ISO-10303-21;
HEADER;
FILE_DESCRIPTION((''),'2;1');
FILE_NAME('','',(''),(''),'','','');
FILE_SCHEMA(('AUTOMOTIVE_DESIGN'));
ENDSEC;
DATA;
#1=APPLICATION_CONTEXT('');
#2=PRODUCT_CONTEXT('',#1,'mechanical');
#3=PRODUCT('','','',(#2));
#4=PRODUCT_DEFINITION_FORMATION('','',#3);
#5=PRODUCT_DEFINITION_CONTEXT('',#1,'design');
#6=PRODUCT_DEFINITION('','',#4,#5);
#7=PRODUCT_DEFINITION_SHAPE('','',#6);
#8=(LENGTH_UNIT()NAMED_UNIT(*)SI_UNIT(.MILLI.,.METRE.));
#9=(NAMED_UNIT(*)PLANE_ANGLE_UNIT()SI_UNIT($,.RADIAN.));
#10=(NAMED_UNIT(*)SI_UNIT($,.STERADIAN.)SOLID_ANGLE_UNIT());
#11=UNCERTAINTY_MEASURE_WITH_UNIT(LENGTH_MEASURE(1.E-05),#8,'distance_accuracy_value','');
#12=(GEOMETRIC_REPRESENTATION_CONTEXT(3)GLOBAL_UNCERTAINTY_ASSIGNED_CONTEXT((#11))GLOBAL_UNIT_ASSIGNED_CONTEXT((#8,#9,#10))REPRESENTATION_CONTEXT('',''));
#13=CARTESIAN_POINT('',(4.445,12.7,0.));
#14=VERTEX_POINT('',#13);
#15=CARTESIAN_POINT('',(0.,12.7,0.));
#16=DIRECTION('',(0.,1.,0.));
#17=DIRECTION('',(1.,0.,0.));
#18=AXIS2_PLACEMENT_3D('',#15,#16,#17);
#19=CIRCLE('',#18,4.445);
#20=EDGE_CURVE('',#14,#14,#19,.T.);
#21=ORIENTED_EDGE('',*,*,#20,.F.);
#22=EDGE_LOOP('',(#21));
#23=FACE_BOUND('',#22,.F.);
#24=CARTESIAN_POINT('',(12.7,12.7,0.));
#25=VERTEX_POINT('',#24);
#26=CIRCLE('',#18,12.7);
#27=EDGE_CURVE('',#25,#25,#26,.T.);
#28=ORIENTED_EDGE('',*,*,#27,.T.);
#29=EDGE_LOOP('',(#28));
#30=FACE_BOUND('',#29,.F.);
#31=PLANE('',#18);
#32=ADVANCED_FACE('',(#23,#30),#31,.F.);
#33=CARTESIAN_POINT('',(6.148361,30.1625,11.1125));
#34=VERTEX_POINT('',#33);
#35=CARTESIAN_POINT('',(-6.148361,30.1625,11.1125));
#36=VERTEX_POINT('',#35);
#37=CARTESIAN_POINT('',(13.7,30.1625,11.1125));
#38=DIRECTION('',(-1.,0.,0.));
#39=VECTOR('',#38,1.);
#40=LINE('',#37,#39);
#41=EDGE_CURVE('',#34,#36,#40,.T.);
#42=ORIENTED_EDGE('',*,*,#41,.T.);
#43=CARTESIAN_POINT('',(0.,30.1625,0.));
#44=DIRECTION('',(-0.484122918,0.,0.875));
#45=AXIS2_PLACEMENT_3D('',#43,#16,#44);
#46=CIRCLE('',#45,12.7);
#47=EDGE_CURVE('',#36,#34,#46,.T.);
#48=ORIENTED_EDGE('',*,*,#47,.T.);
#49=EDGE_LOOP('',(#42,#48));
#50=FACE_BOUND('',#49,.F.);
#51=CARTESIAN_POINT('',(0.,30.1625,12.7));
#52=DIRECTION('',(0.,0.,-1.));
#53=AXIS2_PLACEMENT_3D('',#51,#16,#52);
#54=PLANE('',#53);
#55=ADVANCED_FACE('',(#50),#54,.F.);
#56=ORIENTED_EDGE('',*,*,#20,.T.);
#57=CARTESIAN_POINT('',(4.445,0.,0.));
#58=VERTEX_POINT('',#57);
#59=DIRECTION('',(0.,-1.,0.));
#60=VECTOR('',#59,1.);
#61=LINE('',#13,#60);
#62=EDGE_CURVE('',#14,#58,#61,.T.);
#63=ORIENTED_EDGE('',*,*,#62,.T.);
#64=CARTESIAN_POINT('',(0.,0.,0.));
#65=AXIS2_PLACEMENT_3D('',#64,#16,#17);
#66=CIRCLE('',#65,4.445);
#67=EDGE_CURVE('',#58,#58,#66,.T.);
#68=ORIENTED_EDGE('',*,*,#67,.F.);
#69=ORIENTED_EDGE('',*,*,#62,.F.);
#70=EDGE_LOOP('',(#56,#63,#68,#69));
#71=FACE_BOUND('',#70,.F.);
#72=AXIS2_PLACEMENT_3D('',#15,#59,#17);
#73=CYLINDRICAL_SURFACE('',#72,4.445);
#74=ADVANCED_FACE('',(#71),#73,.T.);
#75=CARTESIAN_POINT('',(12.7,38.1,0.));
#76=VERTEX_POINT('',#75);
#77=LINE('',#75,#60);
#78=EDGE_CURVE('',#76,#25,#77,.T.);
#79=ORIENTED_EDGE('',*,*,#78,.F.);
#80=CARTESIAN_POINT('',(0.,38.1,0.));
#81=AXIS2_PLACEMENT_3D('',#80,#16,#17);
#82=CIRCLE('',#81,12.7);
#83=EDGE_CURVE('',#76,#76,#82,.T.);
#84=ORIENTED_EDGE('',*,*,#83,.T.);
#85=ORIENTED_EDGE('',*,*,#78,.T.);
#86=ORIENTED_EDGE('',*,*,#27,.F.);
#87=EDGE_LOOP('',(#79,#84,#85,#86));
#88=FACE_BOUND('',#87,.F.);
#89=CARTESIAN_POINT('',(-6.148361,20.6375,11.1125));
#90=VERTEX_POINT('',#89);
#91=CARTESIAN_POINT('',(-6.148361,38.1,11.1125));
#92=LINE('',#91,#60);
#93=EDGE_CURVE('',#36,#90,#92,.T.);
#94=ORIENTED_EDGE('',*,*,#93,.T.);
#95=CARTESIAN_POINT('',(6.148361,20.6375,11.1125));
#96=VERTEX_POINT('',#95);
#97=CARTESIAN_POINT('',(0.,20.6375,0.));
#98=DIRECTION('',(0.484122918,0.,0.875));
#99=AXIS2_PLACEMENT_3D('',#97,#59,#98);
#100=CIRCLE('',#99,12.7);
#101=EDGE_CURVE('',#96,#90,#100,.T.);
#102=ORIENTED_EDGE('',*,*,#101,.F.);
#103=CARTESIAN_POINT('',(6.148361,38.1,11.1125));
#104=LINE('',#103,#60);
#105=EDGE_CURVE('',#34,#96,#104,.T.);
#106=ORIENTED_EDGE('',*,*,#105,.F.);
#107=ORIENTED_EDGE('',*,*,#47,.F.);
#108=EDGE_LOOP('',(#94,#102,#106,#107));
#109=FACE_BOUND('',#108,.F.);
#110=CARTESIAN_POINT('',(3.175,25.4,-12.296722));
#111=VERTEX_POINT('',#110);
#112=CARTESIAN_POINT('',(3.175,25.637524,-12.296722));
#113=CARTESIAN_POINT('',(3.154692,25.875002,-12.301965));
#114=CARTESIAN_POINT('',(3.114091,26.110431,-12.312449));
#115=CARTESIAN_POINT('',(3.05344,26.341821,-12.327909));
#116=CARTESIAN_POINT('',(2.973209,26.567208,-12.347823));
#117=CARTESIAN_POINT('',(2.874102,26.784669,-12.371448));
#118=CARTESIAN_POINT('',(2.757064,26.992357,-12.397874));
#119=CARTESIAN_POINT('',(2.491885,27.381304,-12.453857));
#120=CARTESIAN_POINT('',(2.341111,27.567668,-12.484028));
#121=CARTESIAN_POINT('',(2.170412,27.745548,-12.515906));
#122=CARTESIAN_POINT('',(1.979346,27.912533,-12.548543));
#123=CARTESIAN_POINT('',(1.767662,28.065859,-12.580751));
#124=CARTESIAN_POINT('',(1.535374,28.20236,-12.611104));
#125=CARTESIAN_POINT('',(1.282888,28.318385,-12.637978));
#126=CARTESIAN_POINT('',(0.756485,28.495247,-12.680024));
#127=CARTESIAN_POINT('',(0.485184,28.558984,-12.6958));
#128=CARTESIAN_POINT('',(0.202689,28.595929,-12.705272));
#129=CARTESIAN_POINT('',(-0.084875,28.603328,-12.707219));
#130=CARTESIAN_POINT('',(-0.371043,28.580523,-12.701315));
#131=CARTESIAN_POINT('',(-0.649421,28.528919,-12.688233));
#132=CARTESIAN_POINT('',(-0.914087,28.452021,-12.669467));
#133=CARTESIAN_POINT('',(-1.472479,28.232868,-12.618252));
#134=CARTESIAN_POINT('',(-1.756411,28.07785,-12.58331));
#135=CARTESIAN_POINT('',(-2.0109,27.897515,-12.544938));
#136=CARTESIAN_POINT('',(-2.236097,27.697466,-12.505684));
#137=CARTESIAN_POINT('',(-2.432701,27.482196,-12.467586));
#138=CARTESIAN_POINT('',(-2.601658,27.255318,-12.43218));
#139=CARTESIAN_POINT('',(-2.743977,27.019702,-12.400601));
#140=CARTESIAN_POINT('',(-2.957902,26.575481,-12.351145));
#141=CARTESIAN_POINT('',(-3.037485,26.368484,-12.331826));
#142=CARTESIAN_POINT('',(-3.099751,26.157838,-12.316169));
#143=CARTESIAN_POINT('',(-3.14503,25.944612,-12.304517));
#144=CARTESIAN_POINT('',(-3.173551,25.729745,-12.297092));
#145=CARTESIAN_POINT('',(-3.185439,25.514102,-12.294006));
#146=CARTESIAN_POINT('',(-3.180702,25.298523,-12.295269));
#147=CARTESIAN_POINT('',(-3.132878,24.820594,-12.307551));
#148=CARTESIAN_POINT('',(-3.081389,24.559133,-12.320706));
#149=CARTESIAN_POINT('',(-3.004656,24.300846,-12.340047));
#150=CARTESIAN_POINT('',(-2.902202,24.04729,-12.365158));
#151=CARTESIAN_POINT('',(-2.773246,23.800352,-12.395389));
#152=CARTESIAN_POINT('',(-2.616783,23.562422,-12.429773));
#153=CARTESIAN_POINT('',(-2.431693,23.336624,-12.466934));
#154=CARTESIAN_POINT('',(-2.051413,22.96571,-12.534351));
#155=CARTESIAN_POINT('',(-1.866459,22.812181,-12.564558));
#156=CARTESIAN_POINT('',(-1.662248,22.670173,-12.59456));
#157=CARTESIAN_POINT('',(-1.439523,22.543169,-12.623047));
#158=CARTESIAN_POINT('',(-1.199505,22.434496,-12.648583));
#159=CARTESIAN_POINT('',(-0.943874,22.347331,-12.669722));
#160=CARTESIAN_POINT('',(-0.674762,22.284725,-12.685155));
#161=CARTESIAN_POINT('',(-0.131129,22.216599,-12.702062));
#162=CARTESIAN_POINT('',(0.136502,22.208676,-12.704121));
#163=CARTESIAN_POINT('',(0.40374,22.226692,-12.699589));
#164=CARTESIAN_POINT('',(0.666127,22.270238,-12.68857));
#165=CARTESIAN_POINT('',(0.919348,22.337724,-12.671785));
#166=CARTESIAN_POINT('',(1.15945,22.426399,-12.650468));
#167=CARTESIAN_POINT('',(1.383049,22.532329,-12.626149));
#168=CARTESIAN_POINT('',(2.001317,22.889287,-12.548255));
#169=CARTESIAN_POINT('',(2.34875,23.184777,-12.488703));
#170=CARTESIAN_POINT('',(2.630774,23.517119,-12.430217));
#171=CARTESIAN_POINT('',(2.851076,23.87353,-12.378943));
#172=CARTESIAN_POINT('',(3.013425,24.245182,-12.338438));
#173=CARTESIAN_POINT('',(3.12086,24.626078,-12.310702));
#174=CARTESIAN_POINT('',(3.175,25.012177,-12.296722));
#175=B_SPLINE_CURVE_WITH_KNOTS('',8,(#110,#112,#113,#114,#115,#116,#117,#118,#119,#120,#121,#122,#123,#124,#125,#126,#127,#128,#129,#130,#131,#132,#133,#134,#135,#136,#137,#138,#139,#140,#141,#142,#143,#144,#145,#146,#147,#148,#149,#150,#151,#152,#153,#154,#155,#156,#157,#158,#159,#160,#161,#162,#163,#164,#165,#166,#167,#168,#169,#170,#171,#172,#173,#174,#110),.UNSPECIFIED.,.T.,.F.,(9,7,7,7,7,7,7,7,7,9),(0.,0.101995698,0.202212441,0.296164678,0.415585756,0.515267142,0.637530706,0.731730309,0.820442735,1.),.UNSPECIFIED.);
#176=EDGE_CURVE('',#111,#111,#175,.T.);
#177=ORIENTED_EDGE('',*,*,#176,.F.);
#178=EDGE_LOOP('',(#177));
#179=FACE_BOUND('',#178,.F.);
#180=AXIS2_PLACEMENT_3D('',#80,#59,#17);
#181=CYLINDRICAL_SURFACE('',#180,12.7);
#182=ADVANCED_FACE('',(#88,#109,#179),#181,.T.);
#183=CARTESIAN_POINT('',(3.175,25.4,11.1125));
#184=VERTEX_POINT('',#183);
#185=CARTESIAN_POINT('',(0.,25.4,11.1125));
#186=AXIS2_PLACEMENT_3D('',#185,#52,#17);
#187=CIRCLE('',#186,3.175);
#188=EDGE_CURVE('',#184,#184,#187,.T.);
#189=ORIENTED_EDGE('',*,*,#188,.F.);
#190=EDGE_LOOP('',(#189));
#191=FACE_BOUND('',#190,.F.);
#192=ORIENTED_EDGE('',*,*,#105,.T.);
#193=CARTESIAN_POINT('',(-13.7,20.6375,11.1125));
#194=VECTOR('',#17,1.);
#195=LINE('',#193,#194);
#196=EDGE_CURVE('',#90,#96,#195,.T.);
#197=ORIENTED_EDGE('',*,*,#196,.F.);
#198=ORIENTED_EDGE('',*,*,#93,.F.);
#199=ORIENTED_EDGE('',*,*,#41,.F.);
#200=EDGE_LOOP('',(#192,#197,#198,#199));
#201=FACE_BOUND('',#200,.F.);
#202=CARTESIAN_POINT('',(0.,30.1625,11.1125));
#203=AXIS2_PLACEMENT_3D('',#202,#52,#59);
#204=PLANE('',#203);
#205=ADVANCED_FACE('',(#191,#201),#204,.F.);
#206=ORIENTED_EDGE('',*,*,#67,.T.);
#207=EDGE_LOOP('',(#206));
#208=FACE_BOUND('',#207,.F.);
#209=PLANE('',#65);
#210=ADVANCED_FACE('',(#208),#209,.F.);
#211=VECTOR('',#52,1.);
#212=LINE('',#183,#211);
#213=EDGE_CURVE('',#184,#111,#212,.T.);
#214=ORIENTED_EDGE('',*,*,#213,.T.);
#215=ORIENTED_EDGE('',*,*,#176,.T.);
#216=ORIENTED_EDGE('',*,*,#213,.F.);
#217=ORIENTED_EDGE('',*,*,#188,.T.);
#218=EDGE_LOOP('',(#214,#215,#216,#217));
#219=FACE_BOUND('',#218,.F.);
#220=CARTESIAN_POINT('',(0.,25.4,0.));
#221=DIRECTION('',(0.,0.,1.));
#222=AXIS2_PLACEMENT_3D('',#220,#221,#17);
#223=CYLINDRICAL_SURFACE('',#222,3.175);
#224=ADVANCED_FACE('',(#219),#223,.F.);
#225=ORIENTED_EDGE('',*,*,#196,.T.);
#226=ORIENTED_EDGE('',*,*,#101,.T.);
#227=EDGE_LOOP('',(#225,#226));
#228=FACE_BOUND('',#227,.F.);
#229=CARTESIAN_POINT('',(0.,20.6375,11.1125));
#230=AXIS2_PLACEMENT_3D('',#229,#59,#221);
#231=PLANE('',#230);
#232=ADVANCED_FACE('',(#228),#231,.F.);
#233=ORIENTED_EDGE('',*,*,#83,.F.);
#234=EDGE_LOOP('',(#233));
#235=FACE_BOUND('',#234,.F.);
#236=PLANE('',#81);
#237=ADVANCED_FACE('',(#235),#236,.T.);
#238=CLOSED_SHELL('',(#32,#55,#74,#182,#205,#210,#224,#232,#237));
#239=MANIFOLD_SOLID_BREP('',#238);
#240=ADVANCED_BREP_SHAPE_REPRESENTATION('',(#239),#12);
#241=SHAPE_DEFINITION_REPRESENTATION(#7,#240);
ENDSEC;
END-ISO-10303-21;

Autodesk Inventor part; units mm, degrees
ref_plane "YZ Plane" through (0, 0, 0) normal (1, 0, 0) x (0, 1, 0)
ref_plane "XZ Plane" through (0, 0, 0) normal (0, 1, 0) x (-1, 0, 0)
ref_plane "XY Plane" through (0, 0, 0) normal (0, 0, 1) x (1, 0, 0)
sketch "Sketch1" plane through (0, 0, 0) normal (0, 0, 1) x (1, 0, 0)
  line L0 (0, 0) -> (0, 38.1)
  line L1 (0, 38.1) -> (12.7, 38.1)
  line L2 (12.7, 38.1) -> (12.7, 12.7)
  line L3 (12.7, 12.7) -> (4.445, 12.7)
  line L4 (4.445, 12.7) -> (4.445, 0)
  line L5 (4.445, 0) -> (0, 0)
  dimension "d0" = 38.1
  dimension "d1" = 12.7
  dimension "d2" = 25.4
  dimension "d3" = 8.255
revolve "Revolution1" add sketch "Sketch1" angle 360 about axis through (0, 0, 0) along (0, 1, 0)
sketch "Sketch2" plane through (0, 0, 0) normal (0, 0, 1) x (1, 0, 0)
  line L0 (-12.7, 38.1) -> (12.7, 38.1) projected
  line L1 (12.7, 38.1) -> (12.7, 12.7) projected
  line L2 (12.7, 12.7) -> (4.445, 12.7) projected
  line L3 (4.445, 12.7) -> (4.445, 0) projected
  line L4 (4.445, 0) -> (-4.445, 0) projected
  line L5 (-4.445, 0) -> (-4.445, 12.7) projected
  line L6 (-4.445, 12.7) -> (-12.7, 12.7) projected
  line L7 (-12.7, 12.7) -> (-12.7, 38.1) projected
  circle A0 centre (0, 25.4) radius 3.175
  point P0 (0, 0)
  dimension "d5" = 6.35
extrude "Extrusion1" cut sketch "Sketch2" along normal through all both and the other way through all contours A0
sketch "Sketch3" plane through (0, 0, 0) normal (1, 0, 0) x (0, 1, 0)
  line L0 (28.575, 12.7) -> (30.1625, 12.7)
  line L1 (30.1625, 12.7) -> (30.1625, 11.1125)
  line L2 (30.1625, 11.1125) -> (20.6375, 11.1125)
  line L3 (20.6375, 11.1125) -> (20.6375, 12.7)
  line L4 (20.6375, 12.7) -> (30.1625, 12.7)
  point P0 (0, 0)
  point P1 (38.1, 12.7)
  dimension "d9" = 1.5875
  dimension "d10" = 1.5875
  dimension "d11" = 9.525
extrude "Extrusion2" cut sketch "Sketch3" along normal through all both and the other way through all
sketch "Sketch4" plane through (0, 0, 0) normal (1, 0, 0) x (0, 1, 0)
  line L0 (38.1, -12.7) -> (12.7, -12.7) projected
  line L1 (38.1, -12.7) -> (28.575, -12.7)
  point P0 (0, 0)
  dimension "d14" = 9.525
properties part number "right angle rod holder"
